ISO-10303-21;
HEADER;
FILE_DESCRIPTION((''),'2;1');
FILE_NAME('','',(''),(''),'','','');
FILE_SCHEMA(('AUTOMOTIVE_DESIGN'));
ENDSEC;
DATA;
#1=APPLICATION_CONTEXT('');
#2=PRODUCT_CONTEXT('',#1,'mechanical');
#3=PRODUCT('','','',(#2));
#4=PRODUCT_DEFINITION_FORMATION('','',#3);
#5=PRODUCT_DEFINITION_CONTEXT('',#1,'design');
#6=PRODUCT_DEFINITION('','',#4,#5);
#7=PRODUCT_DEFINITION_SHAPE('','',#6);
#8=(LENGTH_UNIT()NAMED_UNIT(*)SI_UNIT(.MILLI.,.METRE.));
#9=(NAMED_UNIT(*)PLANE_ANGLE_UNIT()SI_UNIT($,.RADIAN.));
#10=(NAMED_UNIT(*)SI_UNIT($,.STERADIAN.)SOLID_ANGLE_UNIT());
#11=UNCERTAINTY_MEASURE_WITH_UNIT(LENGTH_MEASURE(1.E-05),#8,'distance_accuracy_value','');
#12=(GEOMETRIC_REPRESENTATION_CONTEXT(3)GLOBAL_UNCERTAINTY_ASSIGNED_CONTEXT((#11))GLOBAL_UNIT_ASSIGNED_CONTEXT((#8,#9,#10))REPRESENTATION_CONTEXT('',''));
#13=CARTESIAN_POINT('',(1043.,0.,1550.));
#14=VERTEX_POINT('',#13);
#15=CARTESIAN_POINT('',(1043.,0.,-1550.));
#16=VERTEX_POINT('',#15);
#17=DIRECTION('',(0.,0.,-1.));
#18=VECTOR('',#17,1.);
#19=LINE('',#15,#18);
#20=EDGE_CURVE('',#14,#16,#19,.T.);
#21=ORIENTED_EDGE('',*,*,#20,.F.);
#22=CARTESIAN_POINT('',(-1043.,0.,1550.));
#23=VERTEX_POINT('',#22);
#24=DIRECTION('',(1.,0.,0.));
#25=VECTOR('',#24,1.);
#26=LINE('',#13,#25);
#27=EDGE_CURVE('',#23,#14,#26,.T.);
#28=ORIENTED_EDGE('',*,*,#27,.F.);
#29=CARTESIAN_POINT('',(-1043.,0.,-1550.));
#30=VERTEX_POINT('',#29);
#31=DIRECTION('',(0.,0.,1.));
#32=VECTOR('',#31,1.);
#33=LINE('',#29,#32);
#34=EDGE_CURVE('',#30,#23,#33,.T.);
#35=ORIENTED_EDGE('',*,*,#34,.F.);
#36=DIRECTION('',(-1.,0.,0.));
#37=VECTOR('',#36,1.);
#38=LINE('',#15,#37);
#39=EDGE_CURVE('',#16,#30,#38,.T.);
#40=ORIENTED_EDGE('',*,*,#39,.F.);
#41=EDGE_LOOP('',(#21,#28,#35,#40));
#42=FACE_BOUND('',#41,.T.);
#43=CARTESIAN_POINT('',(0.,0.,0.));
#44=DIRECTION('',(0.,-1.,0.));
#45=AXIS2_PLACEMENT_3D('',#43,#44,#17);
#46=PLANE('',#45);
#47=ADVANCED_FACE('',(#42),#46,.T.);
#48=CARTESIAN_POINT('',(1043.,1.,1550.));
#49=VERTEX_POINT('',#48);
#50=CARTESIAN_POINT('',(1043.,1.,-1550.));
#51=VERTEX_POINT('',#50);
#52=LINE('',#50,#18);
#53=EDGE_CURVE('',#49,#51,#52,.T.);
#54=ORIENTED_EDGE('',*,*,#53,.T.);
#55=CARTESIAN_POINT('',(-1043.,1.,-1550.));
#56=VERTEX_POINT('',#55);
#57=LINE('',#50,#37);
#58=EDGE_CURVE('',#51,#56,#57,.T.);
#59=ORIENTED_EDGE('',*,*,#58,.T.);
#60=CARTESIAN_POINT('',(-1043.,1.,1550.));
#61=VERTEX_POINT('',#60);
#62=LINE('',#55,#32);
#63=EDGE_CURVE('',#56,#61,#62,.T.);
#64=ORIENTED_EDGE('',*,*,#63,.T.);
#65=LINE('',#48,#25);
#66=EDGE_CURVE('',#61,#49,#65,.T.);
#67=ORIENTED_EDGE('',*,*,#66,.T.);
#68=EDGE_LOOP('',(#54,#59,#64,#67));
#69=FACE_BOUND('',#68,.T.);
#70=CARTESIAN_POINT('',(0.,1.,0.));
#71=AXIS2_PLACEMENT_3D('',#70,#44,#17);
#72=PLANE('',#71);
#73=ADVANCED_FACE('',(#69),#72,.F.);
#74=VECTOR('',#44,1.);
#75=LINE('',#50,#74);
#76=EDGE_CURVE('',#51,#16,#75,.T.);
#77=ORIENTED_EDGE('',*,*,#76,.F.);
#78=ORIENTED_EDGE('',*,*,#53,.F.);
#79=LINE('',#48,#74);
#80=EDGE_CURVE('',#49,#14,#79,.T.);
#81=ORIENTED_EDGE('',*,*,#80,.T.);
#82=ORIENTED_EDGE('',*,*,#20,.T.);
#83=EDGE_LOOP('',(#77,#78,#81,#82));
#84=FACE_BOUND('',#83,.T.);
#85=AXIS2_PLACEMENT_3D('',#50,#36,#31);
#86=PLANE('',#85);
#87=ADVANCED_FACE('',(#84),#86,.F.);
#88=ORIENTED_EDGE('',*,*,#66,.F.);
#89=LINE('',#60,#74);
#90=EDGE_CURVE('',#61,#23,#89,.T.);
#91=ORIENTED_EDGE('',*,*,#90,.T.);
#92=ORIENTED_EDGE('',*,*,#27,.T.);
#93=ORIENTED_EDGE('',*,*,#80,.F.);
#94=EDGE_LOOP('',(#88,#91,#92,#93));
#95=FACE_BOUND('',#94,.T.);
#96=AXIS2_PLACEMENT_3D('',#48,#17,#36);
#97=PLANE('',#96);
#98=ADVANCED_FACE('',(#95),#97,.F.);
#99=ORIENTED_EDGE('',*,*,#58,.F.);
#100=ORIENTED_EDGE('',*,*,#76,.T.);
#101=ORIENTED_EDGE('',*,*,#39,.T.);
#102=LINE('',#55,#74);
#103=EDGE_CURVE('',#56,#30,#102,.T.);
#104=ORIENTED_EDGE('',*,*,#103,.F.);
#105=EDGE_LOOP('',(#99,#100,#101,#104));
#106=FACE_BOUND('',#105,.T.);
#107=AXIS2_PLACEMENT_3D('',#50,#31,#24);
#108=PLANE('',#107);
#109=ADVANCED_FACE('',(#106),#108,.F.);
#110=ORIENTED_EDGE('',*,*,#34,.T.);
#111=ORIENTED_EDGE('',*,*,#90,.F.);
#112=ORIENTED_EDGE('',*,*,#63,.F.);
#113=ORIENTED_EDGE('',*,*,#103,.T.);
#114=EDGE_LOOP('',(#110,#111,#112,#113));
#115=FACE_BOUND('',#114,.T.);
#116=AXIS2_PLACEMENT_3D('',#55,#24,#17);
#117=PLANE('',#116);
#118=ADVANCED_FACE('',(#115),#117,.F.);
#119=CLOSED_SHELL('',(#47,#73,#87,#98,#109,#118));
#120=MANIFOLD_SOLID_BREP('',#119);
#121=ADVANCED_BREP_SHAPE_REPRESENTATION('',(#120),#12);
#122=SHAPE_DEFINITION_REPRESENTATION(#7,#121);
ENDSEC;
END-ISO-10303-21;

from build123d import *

# Parameters (mm, degrees)
SKETCH_1_W      = 2086
SKETCH_1_H      = 3100
EXTRUDE_1_DEPTH = 1


with BuildPart() as part:
    # Эскиз1 → Бобышка-Вытянуть1 (new body)
    with BuildSketch(Plane(origin=(0, 0, 0), x_dir=(1, 0, 0), z_dir=(0, 1, 0))):
        Rectangle(SKETCH_1_W, SKETCH_1_H)
    extrude(amount=EXTRUDE_1_DEPTH)


solid = part.part
